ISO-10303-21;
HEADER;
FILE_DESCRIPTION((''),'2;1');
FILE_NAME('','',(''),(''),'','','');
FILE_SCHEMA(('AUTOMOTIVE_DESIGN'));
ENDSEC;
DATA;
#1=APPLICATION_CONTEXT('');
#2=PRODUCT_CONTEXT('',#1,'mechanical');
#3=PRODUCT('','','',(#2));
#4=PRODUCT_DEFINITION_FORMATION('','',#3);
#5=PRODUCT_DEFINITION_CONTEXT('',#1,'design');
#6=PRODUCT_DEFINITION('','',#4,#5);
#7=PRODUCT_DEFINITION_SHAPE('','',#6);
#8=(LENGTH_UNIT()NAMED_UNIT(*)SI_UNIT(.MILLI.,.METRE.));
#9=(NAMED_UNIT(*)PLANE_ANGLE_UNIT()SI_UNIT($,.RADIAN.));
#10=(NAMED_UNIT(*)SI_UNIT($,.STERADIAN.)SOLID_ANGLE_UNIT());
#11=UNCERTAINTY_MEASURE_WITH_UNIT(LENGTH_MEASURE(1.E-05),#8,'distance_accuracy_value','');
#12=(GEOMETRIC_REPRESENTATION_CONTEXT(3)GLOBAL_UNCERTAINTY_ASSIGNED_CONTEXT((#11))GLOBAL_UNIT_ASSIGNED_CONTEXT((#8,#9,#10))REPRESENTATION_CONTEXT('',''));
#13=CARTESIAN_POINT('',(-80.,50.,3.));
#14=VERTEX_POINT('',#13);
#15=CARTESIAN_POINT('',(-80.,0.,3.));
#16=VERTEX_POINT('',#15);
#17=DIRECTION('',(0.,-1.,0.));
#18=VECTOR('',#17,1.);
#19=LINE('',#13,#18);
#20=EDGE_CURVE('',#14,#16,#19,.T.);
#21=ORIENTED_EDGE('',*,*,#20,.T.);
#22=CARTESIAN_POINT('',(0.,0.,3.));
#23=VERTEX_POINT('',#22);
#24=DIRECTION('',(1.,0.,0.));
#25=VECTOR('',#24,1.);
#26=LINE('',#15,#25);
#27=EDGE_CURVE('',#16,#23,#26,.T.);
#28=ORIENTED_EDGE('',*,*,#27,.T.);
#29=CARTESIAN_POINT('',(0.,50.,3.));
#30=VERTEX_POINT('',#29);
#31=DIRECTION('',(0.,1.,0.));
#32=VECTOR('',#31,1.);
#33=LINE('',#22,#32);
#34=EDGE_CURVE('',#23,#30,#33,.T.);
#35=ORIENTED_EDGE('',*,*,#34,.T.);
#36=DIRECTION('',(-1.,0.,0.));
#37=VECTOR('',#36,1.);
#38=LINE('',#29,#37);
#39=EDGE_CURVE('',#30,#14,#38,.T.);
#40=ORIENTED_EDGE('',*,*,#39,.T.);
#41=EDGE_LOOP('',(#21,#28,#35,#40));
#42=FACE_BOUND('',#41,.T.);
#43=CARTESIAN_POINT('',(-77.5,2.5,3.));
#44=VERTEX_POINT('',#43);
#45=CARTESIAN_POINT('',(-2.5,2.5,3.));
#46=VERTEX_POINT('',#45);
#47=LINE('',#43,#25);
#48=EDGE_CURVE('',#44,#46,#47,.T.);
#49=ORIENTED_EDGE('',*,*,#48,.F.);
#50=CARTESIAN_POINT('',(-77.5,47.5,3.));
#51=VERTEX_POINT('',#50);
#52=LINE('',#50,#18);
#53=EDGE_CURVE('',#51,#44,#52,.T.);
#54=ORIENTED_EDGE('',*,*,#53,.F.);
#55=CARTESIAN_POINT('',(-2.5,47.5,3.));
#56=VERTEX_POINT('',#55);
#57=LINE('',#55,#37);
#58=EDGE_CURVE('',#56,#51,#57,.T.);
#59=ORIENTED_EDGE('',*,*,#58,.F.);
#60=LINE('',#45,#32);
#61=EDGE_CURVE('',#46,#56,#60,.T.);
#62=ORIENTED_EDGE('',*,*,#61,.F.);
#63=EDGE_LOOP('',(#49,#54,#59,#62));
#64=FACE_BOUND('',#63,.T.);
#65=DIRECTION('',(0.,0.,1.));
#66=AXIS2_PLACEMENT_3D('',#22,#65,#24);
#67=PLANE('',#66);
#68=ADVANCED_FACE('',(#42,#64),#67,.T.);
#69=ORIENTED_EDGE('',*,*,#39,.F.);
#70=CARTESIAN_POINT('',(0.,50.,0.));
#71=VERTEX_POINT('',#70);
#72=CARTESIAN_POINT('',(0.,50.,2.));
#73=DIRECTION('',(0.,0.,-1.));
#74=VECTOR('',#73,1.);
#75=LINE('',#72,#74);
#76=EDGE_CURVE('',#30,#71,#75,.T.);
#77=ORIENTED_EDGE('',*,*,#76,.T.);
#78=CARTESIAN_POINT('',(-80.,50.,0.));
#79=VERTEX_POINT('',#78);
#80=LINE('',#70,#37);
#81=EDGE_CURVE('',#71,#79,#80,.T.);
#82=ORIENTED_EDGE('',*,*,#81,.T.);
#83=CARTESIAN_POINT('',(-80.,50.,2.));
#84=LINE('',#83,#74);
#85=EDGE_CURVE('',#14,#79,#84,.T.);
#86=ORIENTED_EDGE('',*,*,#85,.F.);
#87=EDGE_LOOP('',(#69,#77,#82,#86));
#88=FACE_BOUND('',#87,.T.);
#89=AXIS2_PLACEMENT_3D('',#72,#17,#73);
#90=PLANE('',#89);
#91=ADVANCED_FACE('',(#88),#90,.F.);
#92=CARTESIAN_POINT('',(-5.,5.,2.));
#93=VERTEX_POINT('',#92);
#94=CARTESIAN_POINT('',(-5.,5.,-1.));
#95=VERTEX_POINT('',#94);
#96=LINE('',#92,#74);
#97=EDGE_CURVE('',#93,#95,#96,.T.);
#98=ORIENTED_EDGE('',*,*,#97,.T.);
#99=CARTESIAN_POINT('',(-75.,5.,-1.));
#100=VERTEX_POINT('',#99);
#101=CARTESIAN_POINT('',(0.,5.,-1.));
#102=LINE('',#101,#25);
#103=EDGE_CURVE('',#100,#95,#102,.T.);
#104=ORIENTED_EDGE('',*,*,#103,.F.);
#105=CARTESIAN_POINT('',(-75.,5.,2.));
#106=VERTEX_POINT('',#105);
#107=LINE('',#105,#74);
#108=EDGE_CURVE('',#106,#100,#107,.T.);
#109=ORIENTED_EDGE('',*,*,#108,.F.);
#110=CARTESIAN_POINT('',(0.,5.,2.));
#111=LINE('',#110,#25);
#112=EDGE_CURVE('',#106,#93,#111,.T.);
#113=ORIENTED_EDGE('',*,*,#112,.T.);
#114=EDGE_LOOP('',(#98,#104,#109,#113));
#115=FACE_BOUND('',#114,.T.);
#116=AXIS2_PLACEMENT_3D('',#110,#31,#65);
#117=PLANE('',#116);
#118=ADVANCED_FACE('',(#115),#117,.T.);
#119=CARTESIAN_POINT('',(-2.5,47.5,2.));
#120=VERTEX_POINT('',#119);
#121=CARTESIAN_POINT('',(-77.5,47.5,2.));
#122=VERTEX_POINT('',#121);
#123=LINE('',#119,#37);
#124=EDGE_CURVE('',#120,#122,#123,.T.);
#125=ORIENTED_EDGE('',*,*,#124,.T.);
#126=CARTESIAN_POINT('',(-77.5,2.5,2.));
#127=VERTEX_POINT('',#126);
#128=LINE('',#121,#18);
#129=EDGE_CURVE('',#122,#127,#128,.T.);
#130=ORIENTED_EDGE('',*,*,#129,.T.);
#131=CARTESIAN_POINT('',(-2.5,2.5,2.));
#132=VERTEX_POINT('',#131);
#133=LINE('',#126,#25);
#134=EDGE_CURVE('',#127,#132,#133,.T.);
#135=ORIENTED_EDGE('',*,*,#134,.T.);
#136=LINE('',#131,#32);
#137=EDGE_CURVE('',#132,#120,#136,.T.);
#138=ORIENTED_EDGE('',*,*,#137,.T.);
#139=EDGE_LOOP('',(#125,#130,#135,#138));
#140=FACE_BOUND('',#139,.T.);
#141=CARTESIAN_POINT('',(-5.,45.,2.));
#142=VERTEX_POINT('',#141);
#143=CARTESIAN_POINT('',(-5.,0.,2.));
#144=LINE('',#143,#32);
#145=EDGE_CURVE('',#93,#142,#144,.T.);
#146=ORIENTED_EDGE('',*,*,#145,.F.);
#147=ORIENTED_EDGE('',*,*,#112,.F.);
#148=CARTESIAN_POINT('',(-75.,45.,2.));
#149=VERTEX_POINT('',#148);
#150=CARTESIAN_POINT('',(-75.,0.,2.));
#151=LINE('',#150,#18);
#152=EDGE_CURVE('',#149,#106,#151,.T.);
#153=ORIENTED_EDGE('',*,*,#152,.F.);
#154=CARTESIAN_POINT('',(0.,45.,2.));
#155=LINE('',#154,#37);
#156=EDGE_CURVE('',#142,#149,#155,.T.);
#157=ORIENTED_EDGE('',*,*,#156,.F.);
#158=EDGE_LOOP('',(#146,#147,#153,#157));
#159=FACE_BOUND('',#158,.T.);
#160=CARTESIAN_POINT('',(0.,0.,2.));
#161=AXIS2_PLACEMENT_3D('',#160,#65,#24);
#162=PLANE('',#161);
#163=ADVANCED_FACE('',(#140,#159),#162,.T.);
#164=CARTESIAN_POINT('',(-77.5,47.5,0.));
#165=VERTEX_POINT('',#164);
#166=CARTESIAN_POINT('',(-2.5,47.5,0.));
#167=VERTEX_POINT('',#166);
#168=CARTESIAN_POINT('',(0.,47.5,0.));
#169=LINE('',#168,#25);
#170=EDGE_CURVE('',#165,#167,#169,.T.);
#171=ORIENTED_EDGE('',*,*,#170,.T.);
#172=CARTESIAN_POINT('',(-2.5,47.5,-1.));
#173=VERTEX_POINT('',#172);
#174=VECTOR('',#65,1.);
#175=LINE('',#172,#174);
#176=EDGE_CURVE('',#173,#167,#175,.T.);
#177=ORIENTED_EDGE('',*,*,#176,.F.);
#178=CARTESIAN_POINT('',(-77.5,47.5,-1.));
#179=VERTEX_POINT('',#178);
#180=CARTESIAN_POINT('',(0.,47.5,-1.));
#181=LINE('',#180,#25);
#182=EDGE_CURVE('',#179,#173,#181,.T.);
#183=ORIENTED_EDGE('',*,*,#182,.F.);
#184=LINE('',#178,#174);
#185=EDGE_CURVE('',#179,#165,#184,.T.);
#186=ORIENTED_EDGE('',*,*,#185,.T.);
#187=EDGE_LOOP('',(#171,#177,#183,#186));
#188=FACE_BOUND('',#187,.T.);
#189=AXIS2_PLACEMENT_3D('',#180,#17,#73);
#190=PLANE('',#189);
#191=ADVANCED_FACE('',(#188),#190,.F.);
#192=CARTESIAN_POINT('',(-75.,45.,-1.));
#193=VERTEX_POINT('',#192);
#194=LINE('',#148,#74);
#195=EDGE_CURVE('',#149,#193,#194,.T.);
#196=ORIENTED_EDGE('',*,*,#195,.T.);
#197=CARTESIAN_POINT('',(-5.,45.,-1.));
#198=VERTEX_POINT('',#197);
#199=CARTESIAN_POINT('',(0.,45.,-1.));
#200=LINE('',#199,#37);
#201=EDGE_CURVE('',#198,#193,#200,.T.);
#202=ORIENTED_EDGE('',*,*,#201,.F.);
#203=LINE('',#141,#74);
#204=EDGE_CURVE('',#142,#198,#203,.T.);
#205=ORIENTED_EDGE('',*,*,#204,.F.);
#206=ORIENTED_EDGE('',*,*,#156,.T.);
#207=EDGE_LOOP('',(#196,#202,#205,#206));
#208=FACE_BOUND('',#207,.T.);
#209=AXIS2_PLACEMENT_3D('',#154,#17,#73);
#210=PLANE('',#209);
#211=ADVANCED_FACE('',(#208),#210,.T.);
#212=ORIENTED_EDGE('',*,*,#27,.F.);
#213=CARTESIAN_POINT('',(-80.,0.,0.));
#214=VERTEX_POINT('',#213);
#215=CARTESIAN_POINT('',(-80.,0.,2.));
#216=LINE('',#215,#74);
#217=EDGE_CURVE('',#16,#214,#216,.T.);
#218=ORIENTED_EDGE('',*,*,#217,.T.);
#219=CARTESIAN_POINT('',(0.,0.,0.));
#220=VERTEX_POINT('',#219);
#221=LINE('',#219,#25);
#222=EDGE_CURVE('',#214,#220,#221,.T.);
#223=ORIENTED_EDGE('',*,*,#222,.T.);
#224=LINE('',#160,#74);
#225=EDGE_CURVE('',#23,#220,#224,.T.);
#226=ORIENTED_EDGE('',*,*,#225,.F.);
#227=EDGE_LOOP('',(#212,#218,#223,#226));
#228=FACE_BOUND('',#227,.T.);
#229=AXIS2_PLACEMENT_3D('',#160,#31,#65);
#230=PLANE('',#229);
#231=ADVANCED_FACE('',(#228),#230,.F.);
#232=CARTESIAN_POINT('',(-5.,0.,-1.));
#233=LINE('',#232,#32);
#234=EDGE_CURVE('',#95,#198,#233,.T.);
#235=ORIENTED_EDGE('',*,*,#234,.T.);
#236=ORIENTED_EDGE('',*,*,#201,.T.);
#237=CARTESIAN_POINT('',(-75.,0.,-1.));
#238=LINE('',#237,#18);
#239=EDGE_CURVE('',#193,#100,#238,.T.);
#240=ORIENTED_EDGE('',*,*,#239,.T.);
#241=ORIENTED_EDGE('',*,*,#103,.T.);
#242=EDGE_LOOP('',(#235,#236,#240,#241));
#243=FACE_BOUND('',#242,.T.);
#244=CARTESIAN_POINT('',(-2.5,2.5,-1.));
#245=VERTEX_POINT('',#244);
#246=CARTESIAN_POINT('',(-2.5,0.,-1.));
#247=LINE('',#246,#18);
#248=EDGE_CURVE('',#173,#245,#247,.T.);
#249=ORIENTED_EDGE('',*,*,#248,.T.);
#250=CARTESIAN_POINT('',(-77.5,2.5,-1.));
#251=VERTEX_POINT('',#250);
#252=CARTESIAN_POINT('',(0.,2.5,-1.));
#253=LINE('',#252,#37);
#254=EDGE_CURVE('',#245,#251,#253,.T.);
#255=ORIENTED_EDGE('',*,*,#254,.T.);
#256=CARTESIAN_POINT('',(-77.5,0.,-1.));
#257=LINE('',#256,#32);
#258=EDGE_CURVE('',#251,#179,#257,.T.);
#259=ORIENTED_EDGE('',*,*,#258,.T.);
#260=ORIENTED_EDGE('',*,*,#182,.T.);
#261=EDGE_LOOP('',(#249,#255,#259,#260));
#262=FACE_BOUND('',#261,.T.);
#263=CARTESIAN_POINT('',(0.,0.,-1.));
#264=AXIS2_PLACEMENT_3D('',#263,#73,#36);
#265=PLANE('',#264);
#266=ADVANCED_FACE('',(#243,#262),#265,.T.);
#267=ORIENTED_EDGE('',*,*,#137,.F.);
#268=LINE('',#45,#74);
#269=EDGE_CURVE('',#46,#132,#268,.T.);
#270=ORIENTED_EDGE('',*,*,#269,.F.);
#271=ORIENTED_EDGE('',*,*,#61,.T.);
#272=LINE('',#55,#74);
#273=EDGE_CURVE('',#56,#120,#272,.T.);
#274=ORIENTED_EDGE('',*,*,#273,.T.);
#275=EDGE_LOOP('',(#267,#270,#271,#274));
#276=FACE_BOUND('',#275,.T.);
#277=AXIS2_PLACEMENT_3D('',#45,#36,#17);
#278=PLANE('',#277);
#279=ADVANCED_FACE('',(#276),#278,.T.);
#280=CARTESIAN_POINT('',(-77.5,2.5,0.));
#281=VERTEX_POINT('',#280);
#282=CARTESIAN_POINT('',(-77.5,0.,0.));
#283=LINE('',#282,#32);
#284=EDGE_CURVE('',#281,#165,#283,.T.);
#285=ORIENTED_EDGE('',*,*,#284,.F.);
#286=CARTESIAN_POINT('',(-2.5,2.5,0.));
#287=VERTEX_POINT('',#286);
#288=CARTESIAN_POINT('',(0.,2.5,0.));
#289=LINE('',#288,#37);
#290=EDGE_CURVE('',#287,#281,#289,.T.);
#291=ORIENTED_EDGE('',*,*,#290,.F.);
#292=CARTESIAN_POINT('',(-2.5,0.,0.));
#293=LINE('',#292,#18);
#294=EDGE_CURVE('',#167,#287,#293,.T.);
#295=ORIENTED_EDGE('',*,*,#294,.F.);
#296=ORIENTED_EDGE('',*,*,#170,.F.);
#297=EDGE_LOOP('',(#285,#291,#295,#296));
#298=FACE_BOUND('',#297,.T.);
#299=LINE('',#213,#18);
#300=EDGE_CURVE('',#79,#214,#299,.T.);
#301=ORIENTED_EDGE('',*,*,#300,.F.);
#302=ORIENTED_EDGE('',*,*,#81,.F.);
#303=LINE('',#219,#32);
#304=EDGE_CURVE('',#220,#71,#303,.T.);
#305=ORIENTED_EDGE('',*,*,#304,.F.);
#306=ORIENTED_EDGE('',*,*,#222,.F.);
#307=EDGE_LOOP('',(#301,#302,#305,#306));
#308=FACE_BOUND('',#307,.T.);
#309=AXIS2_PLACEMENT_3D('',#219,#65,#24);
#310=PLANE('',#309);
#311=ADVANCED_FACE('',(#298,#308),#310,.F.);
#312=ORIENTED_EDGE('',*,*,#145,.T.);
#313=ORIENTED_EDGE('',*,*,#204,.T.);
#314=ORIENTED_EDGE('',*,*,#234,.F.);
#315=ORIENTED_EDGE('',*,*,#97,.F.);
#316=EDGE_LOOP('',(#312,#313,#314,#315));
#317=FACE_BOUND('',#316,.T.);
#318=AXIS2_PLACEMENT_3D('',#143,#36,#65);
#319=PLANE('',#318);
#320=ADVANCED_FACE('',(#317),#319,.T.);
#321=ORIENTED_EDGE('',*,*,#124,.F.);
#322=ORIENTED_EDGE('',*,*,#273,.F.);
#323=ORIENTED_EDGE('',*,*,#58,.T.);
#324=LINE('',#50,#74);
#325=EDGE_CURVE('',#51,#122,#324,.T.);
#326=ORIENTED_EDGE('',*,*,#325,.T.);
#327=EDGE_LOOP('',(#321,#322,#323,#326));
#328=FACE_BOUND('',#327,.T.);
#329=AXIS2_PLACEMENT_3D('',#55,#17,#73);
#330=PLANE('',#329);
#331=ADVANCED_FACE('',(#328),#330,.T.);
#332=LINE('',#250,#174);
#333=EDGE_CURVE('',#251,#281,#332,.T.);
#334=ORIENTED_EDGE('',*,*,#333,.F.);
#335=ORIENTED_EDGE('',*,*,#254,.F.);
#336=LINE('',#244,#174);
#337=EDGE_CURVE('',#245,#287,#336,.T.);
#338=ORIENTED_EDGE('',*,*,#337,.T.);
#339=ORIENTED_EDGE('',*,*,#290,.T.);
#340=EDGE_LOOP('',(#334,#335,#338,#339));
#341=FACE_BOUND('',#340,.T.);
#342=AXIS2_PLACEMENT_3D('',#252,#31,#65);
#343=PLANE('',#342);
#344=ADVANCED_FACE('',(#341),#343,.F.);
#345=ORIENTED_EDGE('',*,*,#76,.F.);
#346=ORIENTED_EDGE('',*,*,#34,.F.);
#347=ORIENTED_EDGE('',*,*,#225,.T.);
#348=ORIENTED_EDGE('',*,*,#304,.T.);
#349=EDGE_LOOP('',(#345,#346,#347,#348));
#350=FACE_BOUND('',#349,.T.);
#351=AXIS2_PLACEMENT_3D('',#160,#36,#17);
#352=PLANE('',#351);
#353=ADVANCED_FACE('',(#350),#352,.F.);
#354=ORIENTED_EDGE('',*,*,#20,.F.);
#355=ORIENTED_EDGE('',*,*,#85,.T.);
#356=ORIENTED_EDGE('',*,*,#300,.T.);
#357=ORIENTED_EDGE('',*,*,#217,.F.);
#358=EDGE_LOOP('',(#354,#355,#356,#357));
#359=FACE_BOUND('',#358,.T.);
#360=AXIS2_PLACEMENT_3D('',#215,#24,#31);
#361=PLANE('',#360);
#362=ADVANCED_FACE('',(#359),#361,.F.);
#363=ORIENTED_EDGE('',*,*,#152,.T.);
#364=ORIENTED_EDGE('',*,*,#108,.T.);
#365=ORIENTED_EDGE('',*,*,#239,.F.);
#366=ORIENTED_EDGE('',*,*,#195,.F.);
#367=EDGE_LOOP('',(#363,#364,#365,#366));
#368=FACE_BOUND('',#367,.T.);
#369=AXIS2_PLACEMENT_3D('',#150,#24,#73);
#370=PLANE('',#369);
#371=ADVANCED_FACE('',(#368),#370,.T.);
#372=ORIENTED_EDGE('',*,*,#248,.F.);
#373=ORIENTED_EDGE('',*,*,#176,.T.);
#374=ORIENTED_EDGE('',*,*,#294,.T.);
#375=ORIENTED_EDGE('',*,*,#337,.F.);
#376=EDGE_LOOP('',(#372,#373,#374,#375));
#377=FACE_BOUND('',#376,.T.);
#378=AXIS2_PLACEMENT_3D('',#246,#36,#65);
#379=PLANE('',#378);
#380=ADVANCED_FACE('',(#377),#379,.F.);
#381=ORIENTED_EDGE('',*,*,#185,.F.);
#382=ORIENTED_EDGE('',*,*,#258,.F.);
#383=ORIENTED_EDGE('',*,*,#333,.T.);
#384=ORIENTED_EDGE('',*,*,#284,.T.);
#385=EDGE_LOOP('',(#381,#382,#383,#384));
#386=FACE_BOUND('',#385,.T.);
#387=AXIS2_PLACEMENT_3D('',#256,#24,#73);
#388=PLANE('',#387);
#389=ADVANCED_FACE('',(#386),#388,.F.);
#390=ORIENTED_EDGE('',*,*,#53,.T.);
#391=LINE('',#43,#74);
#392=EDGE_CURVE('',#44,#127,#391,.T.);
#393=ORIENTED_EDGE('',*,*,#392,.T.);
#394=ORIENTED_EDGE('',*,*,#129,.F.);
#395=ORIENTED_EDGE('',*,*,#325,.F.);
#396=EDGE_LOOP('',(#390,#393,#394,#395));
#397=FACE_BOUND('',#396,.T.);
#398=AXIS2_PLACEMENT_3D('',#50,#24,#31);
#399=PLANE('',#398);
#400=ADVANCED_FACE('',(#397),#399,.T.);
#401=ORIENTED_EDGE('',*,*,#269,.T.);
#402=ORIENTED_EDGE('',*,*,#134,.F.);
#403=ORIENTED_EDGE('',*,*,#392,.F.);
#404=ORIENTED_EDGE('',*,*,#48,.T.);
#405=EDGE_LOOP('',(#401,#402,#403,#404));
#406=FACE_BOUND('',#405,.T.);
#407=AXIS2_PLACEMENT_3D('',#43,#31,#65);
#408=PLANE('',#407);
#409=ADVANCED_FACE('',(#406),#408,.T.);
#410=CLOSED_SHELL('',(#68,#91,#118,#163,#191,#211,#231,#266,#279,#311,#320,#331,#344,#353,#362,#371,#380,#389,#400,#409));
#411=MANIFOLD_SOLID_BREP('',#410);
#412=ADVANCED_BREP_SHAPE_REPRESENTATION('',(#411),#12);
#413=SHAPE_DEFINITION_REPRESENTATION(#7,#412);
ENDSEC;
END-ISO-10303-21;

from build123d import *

# Parameters (mm, degrees)
SKETCH_1_W      = 80
SKETCH_1_H      = 50
SKETCH_1_W_2    = 75
SKETCH_1_H_2    = 45
SKETCH_1_W_3    = 70
SKETCH_1_H_3    = 40
EXTRUDE_1_DEPTH = 2
SKETCH_2_W      = 80
SKETCH_2_H      = 50
SKETCH_2_W_2    = 75
SKETCH_2_H_2    = 45
EXTRUDE_2_DEPTH = 1
SKETCH_3_W      = 75
SKETCH_3_H      = 45
SKETCH_3_W_2    = 70
SKETCH_3_H_2    = 40
EXTRUDE_3_DEPTH = 1


with BuildPart() as part:
    # 스케치1 → 보스-돌출1 (new body)
    # profile 1 of 2: a face of its own
    with BuildSketch(Plane.XY):
        with Locations((-40, 25)):
            Rectangle(SKETCH_1_W, SKETCH_1_H)
        with Locations((-40, 25)):
            Rectangle(SKETCH_1_W_2, SKETCH_1_H_2, mode=Mode.SUBTRACT)
    # profile 2 of 2: a face of its own
    with BuildSketch(Plane.XY):
        with Locations((-40, 25)):
            Rectangle(SKETCH_1_W_2, SKETCH_1_H_2)
        with Locations((-40, 25)):
            Rectangle(SKETCH_1_W_3, SKETCH_1_H_3, mode=Mode.SUBTRACT)
    extrude(amount=EXTRUDE_1_DEPTH)

    # 스케치2 → 보스-돌출2 (add)
    with BuildSketch(Plane.XY.offset(2)):
        with Locations((-40, 25)):
            Rectangle(SKETCH_2_W, SKETCH_2_H)
        with Locations((-40, 25)):
            Rectangle(SKETCH_2_W_2, SKETCH_2_H_2, mode=Mode.SUBTRACT)
    extrude(amount=EXTRUDE_2_DEPTH)

    # 스케치3 → 보스-돌출3 (add)
    with BuildSketch(Plane(origin=(0, 0, 0), x_dir=(-1, 0, 0), z_dir=(0, 0, -1))):
        with Locations((40, 25)):
            Rectangle(SKETCH_3_W, SKETCH_3_H)
        with Locations((40, 25)):
            Rectangle(SKETCH_3_W_2, SKETCH_3_H_2, mode=Mode.SUBTRACT)
    extrude(amount=EXTRUDE_3_DEPTH)


solid = part.part
